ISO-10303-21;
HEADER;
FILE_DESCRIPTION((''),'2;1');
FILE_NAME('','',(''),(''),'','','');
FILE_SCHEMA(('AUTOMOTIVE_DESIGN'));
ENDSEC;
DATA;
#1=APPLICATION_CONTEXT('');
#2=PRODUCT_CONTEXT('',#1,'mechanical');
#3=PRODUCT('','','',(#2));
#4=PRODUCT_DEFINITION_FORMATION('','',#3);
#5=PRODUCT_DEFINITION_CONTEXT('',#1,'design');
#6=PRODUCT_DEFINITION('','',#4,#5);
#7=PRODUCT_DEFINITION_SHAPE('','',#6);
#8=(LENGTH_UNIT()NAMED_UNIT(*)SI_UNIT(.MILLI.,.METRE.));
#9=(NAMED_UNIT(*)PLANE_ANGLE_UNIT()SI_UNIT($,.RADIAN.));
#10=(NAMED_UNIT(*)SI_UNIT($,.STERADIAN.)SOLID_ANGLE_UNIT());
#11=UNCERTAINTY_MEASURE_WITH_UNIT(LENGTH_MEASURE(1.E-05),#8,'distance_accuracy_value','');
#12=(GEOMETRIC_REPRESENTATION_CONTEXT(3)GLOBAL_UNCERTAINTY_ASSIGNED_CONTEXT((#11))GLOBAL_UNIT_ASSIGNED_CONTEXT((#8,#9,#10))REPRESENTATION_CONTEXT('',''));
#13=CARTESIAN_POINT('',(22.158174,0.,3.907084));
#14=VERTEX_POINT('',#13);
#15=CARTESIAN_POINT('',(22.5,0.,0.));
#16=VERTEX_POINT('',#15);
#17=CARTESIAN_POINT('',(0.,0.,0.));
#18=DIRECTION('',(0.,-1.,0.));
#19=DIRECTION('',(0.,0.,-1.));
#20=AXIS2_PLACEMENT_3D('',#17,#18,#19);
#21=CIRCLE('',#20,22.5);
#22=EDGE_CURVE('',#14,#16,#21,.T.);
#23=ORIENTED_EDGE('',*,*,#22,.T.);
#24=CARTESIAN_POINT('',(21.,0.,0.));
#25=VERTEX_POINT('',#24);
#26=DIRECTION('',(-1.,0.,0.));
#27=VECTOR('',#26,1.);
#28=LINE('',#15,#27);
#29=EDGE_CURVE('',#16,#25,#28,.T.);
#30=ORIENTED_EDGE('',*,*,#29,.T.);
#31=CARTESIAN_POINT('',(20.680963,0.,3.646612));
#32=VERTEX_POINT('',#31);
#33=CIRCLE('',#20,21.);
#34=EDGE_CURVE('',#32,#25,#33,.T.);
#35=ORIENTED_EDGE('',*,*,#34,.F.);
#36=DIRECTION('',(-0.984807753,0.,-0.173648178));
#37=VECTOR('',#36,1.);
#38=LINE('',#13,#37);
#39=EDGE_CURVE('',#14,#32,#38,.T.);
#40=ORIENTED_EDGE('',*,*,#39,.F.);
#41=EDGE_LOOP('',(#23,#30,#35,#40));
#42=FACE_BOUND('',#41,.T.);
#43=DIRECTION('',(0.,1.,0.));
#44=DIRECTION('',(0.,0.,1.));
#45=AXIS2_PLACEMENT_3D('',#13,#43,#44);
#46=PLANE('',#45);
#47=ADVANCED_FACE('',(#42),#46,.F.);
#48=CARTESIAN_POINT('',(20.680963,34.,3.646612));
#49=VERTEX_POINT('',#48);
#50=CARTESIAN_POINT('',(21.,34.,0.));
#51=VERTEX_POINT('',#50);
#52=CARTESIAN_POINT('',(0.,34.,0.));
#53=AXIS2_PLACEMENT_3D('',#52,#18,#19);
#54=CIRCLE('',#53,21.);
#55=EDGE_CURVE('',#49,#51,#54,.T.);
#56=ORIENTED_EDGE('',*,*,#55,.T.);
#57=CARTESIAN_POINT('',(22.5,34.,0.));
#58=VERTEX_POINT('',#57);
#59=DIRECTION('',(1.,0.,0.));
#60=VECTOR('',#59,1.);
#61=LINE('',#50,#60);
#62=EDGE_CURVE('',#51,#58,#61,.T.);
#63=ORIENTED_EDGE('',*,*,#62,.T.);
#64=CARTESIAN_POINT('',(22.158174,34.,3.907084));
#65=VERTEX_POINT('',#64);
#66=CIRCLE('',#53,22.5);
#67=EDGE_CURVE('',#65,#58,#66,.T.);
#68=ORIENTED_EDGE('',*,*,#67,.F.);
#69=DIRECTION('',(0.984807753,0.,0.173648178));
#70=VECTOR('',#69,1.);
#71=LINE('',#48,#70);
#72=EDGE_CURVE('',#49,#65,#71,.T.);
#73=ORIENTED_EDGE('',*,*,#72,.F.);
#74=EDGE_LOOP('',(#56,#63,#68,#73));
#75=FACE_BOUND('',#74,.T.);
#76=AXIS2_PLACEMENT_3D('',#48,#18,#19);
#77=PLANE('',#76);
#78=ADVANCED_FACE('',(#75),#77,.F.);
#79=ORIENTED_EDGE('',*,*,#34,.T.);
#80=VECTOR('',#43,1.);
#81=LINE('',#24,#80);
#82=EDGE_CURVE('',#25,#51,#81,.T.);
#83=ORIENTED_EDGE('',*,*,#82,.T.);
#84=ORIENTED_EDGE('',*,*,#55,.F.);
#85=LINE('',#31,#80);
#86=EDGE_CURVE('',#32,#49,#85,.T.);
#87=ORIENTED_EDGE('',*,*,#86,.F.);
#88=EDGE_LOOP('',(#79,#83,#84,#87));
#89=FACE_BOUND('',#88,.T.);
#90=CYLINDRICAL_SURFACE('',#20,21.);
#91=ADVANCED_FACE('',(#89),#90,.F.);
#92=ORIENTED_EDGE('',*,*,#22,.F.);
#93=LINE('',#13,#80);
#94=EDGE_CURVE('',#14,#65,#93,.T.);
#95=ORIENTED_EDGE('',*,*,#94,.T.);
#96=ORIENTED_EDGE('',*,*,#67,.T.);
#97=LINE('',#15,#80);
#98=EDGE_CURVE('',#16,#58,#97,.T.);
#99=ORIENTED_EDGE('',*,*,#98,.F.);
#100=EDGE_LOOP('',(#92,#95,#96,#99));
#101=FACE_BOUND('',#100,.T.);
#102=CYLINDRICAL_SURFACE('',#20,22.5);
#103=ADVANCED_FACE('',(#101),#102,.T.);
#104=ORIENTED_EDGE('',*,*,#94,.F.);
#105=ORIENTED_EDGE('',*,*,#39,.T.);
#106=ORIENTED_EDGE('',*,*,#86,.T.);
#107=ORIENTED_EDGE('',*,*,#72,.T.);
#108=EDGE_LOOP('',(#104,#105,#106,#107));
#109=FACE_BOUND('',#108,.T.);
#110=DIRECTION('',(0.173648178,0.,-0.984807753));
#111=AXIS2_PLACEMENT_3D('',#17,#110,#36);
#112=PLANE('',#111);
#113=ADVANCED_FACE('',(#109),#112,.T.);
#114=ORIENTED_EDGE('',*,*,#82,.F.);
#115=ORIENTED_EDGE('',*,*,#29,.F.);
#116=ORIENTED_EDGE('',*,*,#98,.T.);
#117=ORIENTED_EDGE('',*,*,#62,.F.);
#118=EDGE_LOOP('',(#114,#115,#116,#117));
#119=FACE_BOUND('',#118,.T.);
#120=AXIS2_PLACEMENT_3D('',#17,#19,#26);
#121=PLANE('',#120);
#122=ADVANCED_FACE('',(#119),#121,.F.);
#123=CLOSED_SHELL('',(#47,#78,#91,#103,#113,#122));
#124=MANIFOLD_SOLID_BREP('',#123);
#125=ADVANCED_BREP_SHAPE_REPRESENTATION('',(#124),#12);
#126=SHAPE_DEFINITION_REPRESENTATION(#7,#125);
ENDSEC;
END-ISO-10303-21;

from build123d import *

# Parameters (mm, degrees)
SKETCH1_W           = 1.5
SKETCH1_H           = 34
REVOLVE_THIN1_ANGLE = 350


with BuildPart() as part:
    # Sketch1 → Revolve-Thin1 (revolve)
    with BuildSketch(Plane.XY):
        with Locations((21.75, 17)):
            Rectangle(SKETCH1_W, SKETCH1_H)
    revolve(axis=Axis((0, 0, 0), (0, 1, 0)), revolution_arc=REVOLVE_THIN1_ANGLE)


solid = part.part
